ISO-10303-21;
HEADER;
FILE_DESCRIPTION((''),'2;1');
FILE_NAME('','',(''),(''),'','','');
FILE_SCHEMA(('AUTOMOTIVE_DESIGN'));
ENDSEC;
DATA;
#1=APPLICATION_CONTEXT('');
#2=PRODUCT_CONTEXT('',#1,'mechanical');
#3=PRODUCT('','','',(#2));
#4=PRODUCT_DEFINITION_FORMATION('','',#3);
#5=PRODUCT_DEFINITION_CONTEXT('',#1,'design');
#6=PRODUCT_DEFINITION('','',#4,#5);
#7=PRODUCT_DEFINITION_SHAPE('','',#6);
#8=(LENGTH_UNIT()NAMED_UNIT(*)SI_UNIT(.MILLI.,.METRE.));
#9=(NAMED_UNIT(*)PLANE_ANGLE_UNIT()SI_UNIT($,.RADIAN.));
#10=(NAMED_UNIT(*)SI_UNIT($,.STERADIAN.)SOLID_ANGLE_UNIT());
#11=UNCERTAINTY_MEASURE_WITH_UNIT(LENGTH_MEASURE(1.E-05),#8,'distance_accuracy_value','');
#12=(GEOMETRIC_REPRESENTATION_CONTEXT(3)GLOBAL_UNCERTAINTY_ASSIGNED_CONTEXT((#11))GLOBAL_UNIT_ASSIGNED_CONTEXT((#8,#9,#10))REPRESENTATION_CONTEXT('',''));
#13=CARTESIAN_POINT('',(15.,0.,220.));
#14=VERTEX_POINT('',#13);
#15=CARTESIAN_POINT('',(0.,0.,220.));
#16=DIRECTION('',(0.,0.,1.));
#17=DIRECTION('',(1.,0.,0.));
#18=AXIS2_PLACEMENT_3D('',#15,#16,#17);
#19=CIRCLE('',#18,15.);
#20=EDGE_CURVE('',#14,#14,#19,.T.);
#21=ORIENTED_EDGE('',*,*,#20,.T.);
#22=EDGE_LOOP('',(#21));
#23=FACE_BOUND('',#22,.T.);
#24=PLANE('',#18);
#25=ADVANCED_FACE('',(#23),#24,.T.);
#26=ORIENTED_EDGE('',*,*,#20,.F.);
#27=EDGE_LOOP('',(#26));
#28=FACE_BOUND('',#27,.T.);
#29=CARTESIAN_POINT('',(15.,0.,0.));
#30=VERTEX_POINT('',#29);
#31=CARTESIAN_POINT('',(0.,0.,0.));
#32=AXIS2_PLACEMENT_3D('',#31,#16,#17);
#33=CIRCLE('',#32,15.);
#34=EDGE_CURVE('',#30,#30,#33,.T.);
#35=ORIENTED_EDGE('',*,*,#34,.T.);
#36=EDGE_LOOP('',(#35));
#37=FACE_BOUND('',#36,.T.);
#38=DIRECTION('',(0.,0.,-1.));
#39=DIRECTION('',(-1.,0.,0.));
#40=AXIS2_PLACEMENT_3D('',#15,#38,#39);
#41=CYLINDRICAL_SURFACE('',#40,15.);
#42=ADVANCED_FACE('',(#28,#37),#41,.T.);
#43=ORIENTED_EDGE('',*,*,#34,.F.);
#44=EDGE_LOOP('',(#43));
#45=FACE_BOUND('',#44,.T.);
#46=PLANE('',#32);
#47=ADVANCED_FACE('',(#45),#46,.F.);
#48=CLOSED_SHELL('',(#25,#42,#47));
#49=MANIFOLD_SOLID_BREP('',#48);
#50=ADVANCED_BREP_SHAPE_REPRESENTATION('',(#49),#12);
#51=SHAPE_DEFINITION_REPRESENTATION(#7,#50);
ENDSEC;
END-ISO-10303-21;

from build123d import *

# Parameters (mm, degrees)
ESQUISSE1_R        = 15
BOSS_EXTRU_1_DEPTH = 220


with BuildPart() as part:
    # Esquisse1 → Boss.-Extru.1 (new body)
    with BuildSketch(Plane.XY):
        Circle(ESQUISSE1_R)
    extrude(amount=BOSS_EXTRU_1_DEPTH)


solid = part.part
